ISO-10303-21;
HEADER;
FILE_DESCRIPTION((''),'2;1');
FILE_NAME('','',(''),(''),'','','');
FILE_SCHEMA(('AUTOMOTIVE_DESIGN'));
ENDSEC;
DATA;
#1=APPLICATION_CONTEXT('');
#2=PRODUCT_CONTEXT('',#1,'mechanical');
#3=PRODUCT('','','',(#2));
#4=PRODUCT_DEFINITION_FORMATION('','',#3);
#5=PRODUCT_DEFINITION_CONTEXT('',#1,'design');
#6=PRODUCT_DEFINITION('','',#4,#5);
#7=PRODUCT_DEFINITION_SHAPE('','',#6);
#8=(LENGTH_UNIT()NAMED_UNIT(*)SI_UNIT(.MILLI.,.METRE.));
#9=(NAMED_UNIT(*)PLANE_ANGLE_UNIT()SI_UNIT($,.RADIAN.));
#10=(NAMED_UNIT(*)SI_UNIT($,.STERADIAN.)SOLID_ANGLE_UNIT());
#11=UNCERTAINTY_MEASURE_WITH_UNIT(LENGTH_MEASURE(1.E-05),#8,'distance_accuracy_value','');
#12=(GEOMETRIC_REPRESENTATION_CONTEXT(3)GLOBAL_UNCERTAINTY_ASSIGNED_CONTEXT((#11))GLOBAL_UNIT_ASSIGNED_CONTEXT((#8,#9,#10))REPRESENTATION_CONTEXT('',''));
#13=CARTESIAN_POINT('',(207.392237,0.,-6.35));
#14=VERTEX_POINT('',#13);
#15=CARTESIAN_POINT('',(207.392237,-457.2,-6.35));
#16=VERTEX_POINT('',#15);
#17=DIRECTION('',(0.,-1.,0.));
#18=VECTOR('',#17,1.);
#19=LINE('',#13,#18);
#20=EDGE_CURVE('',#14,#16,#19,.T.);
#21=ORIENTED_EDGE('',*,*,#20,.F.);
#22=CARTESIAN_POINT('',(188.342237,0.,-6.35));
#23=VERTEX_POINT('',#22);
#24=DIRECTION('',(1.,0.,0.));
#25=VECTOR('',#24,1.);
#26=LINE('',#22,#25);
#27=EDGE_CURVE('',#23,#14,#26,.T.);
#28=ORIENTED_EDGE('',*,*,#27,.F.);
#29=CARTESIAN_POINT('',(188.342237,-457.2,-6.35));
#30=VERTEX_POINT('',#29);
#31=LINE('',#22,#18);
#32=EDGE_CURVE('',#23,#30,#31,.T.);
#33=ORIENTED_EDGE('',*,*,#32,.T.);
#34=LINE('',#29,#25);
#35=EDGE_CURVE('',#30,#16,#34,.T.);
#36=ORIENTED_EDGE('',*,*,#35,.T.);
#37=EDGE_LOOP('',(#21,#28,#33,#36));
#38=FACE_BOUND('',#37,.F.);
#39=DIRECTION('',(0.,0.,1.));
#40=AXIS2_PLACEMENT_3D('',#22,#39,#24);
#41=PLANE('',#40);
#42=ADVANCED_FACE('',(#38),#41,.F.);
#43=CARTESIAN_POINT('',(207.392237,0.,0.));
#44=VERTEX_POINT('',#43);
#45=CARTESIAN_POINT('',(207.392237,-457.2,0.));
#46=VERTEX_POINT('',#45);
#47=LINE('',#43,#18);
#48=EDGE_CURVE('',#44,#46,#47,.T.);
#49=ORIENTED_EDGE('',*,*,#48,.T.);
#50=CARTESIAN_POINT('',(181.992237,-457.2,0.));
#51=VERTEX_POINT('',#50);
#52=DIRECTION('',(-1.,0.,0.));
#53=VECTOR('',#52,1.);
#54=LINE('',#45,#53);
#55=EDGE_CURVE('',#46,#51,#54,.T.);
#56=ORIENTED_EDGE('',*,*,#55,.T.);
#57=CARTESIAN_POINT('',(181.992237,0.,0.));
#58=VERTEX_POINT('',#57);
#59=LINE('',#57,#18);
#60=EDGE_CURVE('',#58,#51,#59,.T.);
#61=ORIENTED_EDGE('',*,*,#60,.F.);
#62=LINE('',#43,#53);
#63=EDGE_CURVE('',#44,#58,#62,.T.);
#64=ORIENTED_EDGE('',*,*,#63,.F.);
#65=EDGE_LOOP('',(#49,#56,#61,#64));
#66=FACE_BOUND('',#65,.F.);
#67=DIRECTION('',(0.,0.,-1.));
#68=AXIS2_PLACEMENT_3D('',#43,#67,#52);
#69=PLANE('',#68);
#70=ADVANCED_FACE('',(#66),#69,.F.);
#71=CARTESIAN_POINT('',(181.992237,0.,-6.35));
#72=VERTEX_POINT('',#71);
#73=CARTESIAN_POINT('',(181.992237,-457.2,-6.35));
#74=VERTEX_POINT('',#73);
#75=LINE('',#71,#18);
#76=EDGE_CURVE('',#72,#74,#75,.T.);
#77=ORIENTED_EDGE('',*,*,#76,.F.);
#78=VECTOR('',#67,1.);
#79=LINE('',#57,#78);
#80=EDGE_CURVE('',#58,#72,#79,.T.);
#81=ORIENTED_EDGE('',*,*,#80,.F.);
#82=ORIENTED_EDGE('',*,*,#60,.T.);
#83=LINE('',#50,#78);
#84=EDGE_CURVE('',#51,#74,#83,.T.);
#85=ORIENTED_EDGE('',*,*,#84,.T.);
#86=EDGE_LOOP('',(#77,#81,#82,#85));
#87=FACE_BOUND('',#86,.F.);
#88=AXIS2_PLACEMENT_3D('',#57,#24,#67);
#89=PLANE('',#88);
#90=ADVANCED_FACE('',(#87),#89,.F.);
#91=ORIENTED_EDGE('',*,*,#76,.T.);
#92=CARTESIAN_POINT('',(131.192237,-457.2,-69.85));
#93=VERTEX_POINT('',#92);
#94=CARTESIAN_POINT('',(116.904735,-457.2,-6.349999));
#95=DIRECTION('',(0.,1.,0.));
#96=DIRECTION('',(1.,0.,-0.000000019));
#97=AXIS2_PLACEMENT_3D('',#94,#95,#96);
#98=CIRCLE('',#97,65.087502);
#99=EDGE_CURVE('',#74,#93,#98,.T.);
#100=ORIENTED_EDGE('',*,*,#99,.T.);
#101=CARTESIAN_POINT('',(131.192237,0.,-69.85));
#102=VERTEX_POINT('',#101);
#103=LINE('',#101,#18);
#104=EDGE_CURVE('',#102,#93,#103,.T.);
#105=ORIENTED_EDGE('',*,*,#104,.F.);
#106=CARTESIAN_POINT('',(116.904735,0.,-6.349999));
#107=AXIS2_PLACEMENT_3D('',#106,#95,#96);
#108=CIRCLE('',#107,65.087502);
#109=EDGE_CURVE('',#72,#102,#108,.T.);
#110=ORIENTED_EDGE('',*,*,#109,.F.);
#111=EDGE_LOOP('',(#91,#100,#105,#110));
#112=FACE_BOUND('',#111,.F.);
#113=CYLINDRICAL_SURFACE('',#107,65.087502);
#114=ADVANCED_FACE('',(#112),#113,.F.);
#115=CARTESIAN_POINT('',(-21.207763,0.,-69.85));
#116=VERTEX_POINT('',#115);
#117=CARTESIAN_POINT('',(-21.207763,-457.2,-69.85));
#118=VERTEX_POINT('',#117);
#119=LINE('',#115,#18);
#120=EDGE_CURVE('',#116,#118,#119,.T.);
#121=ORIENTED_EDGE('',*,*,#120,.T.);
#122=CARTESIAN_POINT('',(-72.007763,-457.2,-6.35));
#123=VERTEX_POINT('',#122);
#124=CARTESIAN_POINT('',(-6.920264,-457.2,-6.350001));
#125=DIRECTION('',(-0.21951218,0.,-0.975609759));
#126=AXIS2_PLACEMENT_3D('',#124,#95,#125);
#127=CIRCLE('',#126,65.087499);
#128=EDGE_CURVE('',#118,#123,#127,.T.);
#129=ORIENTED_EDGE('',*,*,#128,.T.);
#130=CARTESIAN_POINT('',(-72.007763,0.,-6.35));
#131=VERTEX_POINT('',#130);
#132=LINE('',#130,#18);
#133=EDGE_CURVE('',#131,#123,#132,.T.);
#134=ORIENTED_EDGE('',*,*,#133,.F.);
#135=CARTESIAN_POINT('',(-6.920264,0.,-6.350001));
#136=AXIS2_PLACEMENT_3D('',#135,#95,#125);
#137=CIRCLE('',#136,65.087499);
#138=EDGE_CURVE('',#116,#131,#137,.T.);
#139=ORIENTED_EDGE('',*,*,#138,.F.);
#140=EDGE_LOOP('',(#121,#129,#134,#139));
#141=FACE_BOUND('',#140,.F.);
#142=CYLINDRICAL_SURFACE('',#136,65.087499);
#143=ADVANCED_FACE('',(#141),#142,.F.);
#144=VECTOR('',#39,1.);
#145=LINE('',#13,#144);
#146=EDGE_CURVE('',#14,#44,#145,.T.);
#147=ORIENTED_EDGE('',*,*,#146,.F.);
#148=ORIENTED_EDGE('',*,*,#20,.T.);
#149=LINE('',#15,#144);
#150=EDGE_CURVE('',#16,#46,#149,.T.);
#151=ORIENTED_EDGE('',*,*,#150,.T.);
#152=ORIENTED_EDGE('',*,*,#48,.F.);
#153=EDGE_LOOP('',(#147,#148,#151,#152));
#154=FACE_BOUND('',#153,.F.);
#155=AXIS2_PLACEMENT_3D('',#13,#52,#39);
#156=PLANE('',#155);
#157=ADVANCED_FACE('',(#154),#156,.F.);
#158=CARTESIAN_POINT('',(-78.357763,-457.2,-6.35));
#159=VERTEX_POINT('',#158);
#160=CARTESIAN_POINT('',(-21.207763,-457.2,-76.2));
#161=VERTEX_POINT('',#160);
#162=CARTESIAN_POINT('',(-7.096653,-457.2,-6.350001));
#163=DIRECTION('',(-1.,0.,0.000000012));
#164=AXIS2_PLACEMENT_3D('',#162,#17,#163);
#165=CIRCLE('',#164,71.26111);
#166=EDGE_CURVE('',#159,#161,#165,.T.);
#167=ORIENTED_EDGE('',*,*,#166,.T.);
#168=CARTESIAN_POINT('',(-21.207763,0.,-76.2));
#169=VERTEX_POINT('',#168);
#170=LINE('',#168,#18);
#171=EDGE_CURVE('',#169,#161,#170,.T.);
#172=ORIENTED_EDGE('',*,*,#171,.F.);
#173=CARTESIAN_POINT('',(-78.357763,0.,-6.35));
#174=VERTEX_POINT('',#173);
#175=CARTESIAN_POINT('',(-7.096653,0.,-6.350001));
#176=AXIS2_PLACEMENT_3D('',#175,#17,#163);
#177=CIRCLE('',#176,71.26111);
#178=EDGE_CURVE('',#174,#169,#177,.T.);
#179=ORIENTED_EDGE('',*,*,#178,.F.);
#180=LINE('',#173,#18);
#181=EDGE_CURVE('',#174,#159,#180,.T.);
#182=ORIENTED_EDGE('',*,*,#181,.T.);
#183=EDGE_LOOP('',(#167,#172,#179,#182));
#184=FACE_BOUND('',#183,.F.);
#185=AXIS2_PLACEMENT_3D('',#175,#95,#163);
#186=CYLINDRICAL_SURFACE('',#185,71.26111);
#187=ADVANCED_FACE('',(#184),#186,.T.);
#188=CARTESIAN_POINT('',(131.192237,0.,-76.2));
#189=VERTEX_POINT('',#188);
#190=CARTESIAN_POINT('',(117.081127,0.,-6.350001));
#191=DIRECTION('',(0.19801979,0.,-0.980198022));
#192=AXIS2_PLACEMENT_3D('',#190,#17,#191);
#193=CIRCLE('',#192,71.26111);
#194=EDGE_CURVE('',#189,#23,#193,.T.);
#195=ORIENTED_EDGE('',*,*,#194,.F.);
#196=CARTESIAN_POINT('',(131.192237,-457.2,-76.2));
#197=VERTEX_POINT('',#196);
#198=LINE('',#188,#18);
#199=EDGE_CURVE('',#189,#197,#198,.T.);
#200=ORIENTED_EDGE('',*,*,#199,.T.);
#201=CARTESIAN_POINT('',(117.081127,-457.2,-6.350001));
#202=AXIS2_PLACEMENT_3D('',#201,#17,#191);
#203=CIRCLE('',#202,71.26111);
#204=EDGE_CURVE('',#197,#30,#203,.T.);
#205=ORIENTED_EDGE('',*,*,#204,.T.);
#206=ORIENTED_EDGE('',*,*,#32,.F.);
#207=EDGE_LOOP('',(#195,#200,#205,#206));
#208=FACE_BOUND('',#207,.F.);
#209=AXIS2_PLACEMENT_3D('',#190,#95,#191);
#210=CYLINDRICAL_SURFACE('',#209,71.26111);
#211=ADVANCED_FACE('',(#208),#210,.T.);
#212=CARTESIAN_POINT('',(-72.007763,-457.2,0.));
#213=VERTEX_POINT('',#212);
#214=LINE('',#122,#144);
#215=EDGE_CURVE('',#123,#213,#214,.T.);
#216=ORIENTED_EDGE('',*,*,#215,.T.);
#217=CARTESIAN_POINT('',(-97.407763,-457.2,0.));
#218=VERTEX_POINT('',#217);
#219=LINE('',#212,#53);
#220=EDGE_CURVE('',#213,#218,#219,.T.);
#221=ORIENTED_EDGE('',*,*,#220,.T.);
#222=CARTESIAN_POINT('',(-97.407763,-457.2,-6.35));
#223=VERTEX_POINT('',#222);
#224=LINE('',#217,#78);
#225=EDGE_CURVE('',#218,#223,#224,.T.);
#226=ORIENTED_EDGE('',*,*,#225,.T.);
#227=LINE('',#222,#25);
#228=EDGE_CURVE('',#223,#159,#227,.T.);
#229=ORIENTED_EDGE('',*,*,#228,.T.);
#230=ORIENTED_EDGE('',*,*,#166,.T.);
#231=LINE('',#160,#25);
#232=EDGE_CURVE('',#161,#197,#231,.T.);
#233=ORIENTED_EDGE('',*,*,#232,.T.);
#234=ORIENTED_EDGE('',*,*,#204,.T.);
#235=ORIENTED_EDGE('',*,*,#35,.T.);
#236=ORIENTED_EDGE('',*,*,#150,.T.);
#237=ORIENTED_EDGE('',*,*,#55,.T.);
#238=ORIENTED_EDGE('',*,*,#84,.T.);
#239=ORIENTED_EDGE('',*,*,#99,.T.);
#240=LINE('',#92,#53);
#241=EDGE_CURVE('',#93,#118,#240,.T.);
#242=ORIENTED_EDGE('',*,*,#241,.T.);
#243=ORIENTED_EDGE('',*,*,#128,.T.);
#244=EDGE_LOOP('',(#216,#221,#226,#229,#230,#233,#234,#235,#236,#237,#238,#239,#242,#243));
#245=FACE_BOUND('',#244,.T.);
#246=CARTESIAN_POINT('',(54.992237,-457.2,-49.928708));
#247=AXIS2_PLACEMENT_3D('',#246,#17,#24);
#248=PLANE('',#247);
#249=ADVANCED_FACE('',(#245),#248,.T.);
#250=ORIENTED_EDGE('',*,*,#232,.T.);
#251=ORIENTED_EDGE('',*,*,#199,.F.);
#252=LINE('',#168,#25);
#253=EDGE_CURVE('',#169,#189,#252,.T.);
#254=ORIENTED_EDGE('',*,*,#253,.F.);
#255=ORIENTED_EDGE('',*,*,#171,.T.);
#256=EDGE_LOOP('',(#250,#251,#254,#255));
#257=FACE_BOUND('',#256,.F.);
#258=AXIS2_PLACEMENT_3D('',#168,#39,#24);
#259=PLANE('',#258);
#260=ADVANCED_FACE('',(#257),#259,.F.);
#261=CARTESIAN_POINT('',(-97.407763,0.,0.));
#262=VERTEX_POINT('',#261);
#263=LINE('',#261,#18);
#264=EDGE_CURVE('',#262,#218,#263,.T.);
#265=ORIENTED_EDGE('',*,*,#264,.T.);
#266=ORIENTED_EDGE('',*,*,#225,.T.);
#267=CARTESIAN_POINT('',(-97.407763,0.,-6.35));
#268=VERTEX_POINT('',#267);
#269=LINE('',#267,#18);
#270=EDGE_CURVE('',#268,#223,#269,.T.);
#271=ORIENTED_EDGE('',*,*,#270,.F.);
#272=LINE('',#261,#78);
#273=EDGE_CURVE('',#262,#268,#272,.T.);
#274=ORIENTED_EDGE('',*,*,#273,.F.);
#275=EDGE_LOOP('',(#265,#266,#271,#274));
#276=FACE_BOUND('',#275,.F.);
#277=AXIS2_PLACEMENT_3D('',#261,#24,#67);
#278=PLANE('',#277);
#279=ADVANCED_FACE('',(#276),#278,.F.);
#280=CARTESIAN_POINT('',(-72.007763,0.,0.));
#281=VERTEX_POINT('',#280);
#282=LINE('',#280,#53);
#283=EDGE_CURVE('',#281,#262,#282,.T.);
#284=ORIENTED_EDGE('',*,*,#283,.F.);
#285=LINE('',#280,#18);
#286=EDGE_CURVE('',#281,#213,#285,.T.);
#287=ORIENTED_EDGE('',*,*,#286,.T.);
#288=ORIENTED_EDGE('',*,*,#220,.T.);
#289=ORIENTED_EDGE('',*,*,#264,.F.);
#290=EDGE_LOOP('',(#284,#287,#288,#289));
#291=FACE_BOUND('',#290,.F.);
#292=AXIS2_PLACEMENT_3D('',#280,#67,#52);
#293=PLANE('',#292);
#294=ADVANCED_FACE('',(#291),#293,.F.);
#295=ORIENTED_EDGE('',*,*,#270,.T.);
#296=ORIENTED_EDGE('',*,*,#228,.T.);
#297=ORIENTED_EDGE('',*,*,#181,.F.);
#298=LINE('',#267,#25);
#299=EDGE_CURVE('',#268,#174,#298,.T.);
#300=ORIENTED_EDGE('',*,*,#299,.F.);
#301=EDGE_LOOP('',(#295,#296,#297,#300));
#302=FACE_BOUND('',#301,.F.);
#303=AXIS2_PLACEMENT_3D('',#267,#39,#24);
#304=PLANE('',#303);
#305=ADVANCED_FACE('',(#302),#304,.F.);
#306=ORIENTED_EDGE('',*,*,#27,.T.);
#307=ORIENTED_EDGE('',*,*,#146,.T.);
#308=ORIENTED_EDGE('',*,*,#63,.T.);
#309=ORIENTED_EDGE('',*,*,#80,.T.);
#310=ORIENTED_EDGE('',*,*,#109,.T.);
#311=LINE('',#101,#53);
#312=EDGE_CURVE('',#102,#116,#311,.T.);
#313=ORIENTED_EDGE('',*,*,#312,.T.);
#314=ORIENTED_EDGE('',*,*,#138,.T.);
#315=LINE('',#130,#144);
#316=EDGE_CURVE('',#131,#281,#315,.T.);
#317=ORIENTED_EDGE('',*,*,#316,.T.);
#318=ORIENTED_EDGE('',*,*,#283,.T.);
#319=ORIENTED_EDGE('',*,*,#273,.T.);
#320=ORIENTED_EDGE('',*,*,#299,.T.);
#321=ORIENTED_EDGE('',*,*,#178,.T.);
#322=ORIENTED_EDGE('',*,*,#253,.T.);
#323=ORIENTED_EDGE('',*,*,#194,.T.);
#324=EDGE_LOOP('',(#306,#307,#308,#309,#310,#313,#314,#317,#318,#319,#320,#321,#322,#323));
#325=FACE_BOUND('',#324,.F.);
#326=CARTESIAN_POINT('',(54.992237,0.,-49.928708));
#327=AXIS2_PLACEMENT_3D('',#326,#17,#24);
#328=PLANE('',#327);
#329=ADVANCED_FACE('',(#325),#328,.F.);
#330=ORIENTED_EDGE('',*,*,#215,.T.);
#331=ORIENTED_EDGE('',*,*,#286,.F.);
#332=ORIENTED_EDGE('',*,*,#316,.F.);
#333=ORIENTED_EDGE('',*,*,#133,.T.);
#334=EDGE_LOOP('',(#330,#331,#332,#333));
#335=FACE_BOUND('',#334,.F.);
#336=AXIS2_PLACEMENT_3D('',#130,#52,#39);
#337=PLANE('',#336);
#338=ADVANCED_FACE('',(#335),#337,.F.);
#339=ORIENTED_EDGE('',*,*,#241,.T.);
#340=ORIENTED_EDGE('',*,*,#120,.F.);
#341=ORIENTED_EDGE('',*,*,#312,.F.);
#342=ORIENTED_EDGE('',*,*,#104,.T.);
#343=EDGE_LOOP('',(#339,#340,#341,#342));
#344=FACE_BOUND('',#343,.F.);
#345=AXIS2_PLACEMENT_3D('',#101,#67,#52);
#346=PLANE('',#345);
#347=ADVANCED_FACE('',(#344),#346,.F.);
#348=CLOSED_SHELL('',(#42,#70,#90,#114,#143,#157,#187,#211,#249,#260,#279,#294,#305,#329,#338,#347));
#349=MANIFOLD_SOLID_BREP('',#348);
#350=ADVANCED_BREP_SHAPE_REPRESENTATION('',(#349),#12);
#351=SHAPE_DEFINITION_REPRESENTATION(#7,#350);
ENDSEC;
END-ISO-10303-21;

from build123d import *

# Parameters (mm, degrees)
F1_DEPTH = 457.2


with BuildPart() as f1:
    # F0 (on Front) → F1 (new body)
    with BuildSketch(Plane.XZ):
        with BuildLine():
            Line((-72.007763, 0), (-97.407763, 0))
            Line((-97.407763, 0), (-97.407763, -6.35))
            Line((-97.407763, -6.35), (-78.357763, -6.35))
            ThreePointArc((-78.357763, -6.35), (-62.249709, -51.475229), (-21.207763, -76.2))
            Line((-21.207763, -76.2), (131.192237, -76.2))
            ThreePointArc((131.192237, -76.2), (172.234183, -51.475229), (188.342237, -6.35))
            Line((188.342237, -6.35), (207.392237, -6.35))
            Line((207.392237, -6.35), (207.392237, 0))
            Line((207.392237, 0), (181.992237, 0))
            Line((181.992237, 0), (181.992237, -6.35))
            ThreePointArc((181.992237, -6.35), (167.729535, -47.009839), (131.192237, -69.85))
            Line((131.192237, -69.85), (54.992237, -69.85))
            Line((54.992237, -69.85), (-21.207763, -69.85))
            ThreePointArc((-21.207763, -69.85), (-57.745062, -47.009839), (-72.007763, -6.35))
            Line((-72.007763, -6.35), (-72.007763, 0))
        make_face()
    extrude(amount=F1_DEPTH)


solid = f1.part
